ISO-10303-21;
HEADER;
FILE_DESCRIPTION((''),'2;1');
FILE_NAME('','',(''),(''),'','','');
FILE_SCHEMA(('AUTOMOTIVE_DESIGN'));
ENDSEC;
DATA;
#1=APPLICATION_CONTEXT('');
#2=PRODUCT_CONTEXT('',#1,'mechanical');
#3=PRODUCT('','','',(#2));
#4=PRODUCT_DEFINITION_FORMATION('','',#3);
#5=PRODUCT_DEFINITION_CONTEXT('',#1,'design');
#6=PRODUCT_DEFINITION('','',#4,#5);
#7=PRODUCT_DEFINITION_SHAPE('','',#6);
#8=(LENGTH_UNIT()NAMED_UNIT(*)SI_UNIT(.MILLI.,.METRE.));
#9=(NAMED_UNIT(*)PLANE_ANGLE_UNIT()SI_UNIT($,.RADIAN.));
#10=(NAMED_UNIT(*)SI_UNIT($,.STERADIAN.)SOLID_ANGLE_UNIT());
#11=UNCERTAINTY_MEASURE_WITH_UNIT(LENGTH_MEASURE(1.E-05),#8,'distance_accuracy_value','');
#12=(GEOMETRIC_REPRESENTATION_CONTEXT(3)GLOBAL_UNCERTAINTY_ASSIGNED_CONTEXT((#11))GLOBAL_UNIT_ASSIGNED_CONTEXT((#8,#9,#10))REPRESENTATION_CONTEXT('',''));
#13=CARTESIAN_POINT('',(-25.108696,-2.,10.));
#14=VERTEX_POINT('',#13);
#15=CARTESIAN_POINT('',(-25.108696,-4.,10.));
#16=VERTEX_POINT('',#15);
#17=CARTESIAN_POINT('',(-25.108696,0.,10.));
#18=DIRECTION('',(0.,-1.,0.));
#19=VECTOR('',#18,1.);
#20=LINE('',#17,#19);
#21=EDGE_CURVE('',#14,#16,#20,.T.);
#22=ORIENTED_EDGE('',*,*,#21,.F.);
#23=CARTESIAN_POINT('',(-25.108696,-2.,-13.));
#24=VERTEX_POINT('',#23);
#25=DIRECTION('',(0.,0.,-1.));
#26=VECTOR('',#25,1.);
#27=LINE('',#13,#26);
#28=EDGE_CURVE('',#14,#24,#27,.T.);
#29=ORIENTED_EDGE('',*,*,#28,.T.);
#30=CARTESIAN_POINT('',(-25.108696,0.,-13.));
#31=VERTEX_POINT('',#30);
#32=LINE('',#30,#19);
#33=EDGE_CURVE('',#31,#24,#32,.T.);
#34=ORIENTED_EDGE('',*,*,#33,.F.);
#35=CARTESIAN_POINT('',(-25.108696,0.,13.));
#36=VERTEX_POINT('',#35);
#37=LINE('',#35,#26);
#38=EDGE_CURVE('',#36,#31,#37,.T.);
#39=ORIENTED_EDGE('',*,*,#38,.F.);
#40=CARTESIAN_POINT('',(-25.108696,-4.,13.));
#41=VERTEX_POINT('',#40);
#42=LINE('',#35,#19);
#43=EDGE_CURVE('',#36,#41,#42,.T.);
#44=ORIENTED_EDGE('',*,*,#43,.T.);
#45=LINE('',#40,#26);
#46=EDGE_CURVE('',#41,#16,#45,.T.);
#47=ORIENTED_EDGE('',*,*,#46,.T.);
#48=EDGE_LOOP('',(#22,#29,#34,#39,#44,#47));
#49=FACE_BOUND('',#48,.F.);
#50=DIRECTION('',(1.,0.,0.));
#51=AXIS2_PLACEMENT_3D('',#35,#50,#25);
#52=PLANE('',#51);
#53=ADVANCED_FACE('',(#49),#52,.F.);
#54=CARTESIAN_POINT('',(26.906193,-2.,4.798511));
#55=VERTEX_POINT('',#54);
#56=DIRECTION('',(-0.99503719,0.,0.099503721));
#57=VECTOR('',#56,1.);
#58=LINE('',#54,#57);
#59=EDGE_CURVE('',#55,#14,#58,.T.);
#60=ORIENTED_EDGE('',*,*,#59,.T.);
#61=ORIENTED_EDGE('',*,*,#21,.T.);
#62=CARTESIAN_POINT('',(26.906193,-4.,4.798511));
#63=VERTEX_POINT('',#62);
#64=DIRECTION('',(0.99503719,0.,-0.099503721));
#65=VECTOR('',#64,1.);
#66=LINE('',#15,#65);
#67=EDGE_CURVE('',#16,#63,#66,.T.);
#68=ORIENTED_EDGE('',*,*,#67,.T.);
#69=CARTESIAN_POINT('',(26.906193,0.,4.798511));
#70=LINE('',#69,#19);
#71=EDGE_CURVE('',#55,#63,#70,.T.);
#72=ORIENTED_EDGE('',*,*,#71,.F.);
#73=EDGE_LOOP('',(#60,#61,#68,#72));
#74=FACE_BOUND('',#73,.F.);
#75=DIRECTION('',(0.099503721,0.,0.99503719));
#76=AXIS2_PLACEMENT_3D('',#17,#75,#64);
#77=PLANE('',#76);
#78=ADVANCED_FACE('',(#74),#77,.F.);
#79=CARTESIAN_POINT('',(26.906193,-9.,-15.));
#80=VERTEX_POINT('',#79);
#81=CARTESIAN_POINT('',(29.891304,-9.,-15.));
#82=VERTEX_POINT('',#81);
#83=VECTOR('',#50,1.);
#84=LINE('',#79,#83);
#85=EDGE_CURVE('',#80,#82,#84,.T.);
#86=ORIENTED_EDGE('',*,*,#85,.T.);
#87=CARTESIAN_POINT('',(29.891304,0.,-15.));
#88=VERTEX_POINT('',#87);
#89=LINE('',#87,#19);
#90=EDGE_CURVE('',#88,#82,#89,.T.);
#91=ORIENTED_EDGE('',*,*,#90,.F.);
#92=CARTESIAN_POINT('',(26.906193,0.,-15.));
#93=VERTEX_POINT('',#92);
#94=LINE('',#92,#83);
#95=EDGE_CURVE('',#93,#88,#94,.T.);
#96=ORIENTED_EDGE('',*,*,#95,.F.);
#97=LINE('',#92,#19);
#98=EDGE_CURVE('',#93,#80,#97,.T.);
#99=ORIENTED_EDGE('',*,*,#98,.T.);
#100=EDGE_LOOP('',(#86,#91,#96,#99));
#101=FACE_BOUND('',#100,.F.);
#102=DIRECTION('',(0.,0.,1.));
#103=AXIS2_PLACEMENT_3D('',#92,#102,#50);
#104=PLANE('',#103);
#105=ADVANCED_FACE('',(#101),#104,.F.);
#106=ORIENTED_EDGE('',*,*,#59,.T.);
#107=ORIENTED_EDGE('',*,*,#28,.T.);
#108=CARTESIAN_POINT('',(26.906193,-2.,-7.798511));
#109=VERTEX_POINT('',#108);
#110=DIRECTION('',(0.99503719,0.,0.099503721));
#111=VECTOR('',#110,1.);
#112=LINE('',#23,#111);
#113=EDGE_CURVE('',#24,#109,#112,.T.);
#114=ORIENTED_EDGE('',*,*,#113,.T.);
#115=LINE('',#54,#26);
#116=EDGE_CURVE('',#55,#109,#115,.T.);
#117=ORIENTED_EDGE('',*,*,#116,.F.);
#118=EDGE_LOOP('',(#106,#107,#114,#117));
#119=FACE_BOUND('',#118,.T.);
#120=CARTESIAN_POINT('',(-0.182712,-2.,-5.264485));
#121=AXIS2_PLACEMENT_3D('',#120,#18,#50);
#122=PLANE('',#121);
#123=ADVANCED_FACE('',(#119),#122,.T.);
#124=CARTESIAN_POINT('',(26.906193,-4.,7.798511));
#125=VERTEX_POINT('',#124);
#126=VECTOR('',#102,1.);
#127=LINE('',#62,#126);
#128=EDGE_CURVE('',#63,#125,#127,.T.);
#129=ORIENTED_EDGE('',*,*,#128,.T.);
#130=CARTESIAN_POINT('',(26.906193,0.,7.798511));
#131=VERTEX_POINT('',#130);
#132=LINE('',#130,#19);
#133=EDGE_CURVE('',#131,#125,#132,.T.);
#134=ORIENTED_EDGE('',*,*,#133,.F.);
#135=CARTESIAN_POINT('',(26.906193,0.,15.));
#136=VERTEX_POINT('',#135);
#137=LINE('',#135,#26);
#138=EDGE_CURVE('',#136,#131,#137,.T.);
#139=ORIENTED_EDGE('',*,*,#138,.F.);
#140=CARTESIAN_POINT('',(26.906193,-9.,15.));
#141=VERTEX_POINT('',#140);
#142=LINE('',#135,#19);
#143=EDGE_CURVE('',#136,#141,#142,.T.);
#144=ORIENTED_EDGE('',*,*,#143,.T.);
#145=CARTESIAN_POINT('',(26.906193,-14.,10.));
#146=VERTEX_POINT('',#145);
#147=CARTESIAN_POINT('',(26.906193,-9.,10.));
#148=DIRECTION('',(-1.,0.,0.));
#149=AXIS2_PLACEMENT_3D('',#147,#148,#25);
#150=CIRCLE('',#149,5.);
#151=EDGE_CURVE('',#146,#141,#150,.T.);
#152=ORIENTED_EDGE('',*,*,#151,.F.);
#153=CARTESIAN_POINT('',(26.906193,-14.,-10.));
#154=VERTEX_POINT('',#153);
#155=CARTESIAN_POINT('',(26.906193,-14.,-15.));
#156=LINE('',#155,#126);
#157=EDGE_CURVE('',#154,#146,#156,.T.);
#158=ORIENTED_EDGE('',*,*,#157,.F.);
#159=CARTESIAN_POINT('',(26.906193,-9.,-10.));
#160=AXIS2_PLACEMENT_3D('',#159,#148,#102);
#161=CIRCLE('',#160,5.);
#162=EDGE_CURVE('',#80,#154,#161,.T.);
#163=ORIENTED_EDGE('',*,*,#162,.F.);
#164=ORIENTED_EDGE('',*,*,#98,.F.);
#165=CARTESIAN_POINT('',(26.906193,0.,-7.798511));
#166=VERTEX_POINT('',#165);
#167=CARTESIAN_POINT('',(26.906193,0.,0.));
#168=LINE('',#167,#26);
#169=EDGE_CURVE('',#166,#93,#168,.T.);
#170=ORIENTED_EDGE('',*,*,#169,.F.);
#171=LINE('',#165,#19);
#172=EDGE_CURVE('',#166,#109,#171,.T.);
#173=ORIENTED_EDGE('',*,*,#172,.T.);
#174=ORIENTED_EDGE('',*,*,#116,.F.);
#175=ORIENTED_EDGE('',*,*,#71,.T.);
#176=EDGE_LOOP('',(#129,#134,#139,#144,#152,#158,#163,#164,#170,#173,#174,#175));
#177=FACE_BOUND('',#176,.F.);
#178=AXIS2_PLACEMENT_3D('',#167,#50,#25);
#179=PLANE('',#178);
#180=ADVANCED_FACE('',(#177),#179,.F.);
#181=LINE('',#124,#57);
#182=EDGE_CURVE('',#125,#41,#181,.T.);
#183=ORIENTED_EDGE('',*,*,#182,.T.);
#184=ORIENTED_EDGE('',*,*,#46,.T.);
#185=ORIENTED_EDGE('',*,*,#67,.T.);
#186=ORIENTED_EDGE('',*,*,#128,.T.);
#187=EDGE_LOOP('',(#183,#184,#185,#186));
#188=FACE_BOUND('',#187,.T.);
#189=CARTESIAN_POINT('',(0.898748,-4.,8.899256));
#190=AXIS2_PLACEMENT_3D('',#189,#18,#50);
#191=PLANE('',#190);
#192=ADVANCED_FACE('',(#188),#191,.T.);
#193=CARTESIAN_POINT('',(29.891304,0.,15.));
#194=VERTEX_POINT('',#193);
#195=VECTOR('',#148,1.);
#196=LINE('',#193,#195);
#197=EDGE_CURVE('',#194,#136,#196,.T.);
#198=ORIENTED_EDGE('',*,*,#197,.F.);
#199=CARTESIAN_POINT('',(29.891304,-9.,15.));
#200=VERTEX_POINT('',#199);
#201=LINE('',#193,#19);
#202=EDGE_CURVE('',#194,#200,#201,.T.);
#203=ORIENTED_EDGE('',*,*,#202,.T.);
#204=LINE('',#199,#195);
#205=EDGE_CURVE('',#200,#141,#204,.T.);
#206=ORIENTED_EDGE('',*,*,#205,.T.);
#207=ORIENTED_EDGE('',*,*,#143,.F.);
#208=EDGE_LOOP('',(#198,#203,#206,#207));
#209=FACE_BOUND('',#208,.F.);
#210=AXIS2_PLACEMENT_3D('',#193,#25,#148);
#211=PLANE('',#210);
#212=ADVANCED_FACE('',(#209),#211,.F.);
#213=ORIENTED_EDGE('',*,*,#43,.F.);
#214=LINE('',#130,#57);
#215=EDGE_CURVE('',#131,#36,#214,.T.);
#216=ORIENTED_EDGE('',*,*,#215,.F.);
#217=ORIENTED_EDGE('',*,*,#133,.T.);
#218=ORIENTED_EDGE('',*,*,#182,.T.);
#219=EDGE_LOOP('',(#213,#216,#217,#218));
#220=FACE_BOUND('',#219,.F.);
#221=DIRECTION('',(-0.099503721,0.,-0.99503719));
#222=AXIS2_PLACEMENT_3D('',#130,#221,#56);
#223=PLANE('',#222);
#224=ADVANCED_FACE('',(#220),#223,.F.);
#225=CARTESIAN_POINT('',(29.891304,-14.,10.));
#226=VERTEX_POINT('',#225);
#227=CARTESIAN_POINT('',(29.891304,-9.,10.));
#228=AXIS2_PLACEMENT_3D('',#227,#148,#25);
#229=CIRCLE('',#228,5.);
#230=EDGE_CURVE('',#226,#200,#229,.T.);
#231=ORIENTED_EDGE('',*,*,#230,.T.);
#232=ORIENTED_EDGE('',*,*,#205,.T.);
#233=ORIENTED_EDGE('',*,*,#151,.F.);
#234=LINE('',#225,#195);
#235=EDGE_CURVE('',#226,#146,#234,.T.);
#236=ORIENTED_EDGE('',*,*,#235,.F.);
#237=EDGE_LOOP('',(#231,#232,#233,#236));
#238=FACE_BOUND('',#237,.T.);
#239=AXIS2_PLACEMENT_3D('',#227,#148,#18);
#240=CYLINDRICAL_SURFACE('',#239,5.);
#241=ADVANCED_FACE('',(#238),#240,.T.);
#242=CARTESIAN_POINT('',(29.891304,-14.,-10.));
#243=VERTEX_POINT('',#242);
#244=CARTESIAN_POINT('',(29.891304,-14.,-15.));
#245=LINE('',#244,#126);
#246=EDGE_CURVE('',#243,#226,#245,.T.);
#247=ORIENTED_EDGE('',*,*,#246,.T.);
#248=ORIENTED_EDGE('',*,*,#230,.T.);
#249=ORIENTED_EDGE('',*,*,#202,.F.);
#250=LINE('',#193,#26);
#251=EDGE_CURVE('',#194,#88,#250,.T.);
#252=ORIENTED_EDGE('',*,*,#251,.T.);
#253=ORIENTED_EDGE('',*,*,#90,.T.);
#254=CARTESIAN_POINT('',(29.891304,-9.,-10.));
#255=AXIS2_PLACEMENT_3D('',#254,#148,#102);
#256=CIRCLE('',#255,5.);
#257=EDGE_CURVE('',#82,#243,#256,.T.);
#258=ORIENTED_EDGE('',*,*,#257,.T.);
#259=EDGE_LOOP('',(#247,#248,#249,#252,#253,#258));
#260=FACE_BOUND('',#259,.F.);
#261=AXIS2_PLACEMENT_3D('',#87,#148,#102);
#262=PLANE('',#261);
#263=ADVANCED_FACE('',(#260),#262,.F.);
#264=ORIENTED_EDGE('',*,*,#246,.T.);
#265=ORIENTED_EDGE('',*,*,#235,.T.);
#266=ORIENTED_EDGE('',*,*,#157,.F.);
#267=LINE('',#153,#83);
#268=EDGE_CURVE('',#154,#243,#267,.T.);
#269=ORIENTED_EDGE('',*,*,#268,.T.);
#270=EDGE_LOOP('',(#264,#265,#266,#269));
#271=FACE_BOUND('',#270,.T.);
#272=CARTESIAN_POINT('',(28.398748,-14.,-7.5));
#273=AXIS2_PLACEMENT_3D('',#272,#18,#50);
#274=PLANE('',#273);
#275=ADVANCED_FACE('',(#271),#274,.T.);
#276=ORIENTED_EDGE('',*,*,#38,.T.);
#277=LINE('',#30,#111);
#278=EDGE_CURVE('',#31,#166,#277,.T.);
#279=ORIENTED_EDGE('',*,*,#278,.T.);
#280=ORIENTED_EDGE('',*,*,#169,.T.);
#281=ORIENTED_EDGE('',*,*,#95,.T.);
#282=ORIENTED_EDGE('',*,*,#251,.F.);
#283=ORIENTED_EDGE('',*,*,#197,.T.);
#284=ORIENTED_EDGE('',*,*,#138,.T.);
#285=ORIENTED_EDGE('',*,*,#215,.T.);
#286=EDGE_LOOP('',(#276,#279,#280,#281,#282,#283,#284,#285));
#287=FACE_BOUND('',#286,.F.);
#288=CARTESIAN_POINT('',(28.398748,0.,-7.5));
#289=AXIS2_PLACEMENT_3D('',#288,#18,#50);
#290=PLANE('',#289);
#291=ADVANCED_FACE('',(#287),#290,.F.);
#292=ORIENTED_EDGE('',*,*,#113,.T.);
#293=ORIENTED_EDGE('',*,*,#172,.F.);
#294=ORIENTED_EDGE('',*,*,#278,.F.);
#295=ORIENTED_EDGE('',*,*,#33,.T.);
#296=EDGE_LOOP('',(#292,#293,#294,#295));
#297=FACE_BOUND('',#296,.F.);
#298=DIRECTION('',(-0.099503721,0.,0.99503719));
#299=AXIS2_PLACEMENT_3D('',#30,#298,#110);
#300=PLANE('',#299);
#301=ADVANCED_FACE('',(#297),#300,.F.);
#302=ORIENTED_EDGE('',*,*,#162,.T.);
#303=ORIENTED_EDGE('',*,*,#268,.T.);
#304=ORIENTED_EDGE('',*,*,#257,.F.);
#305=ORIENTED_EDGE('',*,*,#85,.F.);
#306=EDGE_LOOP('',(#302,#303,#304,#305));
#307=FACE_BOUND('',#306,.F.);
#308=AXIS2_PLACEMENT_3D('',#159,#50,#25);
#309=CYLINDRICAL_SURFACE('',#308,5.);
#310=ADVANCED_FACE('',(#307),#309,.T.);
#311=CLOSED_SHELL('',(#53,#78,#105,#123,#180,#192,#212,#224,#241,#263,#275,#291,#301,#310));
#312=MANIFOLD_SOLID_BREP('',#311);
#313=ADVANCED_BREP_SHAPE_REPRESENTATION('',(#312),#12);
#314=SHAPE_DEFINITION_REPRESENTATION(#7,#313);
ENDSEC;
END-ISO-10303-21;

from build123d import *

# Parameters (mm, degrees)
F1_DEPTH = 2
F2_DEPTH = 14
F3_DEPTH = 4
F4_DEPTH = 14
F5_R     = 5


with BuildPart() as f1:
    # F0 (on Front) → F1 (new body)
    with BuildSketch(Plane.XZ):
        Polygon((26.906193, 0), (-25.108696, 0), (-25.108696, -13), (26.906193, -7.798511), align=None)
        Polygon((-25.108696, 10), (-25.108696, 0), (26.906193, 0), (26.906193, 4.798511), align=None)
    extrude(amount=F1_DEPTH)

    # F0 (on Front) → F2 (join)
    with BuildSketch(Plane.XZ):
        Polygon((26.906193, 4.798511), (26.906193, 0), (29.891304, 0), (29.891304, 15), (26.906193, 15), (26.906193, 7.798511), align=None)
    extrude(amount=F2_DEPTH)

    # F0 (on Front) → F3 (join)
    with BuildSketch(Plane.XZ):
        Polygon((-25.108696, 13), (-25.108696, 10), (26.906193, 4.798511), (26.906193, 7.798511), align=None)
    extrude(amount=F3_DEPTH)

    # F0 (on Front) → F4 (join)
    with BuildSketch(Plane.XZ):
        Polygon((29.891304, 0), (26.906193, 0), (26.906193, -7.798511), (26.906193, -15), (29.891304, -15), align=None)
    extrude(amount=F4_DEPTH)

    # F5
    f5_edges = [f1.edges().sort_by_distance(p)[0] for p in [
        (28.398748, -14, -15),
        (28.398748, -14, 15),
    ]]
    fillet(f5_edges, radius=F5_R)


solid = f1.part
